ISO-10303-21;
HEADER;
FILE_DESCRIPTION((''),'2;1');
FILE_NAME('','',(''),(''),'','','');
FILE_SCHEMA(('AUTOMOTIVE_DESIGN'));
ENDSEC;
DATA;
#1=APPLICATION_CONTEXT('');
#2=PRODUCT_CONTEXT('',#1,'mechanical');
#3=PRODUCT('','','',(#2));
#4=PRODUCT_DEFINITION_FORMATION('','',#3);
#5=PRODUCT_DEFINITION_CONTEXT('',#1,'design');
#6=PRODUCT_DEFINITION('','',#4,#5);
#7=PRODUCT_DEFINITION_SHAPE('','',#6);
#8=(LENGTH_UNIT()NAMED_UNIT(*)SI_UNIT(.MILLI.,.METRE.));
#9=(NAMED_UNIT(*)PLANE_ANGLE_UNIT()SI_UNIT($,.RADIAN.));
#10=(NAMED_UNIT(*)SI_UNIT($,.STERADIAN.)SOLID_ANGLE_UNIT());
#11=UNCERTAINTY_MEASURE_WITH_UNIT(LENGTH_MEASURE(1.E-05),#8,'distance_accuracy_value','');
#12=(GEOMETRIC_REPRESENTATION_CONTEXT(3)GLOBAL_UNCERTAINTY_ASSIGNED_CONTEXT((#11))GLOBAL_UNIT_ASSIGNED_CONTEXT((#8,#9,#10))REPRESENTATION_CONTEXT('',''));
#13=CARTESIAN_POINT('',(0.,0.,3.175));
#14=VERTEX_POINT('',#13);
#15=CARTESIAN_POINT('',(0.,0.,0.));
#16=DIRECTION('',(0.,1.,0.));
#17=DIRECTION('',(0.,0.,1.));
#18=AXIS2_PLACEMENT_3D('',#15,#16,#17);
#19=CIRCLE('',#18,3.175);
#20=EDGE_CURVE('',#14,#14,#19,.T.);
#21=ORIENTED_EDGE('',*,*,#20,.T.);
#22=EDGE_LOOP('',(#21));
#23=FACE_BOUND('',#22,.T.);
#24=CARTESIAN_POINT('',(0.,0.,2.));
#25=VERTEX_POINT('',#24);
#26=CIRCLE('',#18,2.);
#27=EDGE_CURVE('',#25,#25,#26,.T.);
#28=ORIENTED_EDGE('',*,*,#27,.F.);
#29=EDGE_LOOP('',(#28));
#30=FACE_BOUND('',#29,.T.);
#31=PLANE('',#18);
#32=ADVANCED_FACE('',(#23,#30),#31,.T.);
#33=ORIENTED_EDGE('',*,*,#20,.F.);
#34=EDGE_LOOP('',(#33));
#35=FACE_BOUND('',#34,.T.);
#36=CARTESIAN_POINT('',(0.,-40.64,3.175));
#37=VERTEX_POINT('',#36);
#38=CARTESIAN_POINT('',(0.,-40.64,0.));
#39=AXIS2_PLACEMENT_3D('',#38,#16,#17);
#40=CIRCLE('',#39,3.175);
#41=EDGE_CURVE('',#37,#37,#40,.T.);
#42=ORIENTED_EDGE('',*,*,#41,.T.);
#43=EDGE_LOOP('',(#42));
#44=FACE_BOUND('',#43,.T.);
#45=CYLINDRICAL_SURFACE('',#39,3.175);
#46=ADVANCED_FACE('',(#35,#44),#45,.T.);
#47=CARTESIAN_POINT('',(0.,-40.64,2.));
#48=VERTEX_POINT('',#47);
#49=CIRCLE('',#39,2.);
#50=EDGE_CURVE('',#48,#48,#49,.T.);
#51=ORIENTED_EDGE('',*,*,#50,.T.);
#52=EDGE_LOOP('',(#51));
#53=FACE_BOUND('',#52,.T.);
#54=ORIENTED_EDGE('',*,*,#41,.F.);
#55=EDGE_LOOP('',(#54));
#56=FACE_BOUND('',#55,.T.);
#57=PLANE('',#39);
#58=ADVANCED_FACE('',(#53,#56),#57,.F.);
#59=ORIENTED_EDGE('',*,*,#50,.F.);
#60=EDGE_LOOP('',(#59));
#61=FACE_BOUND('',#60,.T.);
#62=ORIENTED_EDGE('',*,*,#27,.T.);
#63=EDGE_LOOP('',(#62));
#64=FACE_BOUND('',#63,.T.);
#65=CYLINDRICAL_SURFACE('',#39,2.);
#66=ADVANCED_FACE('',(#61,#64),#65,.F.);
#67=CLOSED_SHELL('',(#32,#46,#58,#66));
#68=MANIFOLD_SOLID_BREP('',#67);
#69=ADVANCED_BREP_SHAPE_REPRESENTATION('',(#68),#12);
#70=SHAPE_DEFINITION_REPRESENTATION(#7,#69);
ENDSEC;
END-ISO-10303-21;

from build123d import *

# Parameters (mm, degrees)
SKETCH1_R           = 3.175
SKETCH1_R_2         = 2
BOSS_EXTRUDE1_DEPTH = 40.64


with BuildPart() as part:
    # Sketch1 → Boss-Extrude1 (new body)
    with BuildSketch(Plane(origin=(0, 0, 0), x_dir=(1, 0, 0), z_dir=(0, 1, 0))):
        Circle(SKETCH1_R)
        Circle(SKETCH1_R_2, mode=Mode.SUBTRACT)
    extrude(amount=-BOSS_EXTRUDE1_DEPTH)


solid = part.part
